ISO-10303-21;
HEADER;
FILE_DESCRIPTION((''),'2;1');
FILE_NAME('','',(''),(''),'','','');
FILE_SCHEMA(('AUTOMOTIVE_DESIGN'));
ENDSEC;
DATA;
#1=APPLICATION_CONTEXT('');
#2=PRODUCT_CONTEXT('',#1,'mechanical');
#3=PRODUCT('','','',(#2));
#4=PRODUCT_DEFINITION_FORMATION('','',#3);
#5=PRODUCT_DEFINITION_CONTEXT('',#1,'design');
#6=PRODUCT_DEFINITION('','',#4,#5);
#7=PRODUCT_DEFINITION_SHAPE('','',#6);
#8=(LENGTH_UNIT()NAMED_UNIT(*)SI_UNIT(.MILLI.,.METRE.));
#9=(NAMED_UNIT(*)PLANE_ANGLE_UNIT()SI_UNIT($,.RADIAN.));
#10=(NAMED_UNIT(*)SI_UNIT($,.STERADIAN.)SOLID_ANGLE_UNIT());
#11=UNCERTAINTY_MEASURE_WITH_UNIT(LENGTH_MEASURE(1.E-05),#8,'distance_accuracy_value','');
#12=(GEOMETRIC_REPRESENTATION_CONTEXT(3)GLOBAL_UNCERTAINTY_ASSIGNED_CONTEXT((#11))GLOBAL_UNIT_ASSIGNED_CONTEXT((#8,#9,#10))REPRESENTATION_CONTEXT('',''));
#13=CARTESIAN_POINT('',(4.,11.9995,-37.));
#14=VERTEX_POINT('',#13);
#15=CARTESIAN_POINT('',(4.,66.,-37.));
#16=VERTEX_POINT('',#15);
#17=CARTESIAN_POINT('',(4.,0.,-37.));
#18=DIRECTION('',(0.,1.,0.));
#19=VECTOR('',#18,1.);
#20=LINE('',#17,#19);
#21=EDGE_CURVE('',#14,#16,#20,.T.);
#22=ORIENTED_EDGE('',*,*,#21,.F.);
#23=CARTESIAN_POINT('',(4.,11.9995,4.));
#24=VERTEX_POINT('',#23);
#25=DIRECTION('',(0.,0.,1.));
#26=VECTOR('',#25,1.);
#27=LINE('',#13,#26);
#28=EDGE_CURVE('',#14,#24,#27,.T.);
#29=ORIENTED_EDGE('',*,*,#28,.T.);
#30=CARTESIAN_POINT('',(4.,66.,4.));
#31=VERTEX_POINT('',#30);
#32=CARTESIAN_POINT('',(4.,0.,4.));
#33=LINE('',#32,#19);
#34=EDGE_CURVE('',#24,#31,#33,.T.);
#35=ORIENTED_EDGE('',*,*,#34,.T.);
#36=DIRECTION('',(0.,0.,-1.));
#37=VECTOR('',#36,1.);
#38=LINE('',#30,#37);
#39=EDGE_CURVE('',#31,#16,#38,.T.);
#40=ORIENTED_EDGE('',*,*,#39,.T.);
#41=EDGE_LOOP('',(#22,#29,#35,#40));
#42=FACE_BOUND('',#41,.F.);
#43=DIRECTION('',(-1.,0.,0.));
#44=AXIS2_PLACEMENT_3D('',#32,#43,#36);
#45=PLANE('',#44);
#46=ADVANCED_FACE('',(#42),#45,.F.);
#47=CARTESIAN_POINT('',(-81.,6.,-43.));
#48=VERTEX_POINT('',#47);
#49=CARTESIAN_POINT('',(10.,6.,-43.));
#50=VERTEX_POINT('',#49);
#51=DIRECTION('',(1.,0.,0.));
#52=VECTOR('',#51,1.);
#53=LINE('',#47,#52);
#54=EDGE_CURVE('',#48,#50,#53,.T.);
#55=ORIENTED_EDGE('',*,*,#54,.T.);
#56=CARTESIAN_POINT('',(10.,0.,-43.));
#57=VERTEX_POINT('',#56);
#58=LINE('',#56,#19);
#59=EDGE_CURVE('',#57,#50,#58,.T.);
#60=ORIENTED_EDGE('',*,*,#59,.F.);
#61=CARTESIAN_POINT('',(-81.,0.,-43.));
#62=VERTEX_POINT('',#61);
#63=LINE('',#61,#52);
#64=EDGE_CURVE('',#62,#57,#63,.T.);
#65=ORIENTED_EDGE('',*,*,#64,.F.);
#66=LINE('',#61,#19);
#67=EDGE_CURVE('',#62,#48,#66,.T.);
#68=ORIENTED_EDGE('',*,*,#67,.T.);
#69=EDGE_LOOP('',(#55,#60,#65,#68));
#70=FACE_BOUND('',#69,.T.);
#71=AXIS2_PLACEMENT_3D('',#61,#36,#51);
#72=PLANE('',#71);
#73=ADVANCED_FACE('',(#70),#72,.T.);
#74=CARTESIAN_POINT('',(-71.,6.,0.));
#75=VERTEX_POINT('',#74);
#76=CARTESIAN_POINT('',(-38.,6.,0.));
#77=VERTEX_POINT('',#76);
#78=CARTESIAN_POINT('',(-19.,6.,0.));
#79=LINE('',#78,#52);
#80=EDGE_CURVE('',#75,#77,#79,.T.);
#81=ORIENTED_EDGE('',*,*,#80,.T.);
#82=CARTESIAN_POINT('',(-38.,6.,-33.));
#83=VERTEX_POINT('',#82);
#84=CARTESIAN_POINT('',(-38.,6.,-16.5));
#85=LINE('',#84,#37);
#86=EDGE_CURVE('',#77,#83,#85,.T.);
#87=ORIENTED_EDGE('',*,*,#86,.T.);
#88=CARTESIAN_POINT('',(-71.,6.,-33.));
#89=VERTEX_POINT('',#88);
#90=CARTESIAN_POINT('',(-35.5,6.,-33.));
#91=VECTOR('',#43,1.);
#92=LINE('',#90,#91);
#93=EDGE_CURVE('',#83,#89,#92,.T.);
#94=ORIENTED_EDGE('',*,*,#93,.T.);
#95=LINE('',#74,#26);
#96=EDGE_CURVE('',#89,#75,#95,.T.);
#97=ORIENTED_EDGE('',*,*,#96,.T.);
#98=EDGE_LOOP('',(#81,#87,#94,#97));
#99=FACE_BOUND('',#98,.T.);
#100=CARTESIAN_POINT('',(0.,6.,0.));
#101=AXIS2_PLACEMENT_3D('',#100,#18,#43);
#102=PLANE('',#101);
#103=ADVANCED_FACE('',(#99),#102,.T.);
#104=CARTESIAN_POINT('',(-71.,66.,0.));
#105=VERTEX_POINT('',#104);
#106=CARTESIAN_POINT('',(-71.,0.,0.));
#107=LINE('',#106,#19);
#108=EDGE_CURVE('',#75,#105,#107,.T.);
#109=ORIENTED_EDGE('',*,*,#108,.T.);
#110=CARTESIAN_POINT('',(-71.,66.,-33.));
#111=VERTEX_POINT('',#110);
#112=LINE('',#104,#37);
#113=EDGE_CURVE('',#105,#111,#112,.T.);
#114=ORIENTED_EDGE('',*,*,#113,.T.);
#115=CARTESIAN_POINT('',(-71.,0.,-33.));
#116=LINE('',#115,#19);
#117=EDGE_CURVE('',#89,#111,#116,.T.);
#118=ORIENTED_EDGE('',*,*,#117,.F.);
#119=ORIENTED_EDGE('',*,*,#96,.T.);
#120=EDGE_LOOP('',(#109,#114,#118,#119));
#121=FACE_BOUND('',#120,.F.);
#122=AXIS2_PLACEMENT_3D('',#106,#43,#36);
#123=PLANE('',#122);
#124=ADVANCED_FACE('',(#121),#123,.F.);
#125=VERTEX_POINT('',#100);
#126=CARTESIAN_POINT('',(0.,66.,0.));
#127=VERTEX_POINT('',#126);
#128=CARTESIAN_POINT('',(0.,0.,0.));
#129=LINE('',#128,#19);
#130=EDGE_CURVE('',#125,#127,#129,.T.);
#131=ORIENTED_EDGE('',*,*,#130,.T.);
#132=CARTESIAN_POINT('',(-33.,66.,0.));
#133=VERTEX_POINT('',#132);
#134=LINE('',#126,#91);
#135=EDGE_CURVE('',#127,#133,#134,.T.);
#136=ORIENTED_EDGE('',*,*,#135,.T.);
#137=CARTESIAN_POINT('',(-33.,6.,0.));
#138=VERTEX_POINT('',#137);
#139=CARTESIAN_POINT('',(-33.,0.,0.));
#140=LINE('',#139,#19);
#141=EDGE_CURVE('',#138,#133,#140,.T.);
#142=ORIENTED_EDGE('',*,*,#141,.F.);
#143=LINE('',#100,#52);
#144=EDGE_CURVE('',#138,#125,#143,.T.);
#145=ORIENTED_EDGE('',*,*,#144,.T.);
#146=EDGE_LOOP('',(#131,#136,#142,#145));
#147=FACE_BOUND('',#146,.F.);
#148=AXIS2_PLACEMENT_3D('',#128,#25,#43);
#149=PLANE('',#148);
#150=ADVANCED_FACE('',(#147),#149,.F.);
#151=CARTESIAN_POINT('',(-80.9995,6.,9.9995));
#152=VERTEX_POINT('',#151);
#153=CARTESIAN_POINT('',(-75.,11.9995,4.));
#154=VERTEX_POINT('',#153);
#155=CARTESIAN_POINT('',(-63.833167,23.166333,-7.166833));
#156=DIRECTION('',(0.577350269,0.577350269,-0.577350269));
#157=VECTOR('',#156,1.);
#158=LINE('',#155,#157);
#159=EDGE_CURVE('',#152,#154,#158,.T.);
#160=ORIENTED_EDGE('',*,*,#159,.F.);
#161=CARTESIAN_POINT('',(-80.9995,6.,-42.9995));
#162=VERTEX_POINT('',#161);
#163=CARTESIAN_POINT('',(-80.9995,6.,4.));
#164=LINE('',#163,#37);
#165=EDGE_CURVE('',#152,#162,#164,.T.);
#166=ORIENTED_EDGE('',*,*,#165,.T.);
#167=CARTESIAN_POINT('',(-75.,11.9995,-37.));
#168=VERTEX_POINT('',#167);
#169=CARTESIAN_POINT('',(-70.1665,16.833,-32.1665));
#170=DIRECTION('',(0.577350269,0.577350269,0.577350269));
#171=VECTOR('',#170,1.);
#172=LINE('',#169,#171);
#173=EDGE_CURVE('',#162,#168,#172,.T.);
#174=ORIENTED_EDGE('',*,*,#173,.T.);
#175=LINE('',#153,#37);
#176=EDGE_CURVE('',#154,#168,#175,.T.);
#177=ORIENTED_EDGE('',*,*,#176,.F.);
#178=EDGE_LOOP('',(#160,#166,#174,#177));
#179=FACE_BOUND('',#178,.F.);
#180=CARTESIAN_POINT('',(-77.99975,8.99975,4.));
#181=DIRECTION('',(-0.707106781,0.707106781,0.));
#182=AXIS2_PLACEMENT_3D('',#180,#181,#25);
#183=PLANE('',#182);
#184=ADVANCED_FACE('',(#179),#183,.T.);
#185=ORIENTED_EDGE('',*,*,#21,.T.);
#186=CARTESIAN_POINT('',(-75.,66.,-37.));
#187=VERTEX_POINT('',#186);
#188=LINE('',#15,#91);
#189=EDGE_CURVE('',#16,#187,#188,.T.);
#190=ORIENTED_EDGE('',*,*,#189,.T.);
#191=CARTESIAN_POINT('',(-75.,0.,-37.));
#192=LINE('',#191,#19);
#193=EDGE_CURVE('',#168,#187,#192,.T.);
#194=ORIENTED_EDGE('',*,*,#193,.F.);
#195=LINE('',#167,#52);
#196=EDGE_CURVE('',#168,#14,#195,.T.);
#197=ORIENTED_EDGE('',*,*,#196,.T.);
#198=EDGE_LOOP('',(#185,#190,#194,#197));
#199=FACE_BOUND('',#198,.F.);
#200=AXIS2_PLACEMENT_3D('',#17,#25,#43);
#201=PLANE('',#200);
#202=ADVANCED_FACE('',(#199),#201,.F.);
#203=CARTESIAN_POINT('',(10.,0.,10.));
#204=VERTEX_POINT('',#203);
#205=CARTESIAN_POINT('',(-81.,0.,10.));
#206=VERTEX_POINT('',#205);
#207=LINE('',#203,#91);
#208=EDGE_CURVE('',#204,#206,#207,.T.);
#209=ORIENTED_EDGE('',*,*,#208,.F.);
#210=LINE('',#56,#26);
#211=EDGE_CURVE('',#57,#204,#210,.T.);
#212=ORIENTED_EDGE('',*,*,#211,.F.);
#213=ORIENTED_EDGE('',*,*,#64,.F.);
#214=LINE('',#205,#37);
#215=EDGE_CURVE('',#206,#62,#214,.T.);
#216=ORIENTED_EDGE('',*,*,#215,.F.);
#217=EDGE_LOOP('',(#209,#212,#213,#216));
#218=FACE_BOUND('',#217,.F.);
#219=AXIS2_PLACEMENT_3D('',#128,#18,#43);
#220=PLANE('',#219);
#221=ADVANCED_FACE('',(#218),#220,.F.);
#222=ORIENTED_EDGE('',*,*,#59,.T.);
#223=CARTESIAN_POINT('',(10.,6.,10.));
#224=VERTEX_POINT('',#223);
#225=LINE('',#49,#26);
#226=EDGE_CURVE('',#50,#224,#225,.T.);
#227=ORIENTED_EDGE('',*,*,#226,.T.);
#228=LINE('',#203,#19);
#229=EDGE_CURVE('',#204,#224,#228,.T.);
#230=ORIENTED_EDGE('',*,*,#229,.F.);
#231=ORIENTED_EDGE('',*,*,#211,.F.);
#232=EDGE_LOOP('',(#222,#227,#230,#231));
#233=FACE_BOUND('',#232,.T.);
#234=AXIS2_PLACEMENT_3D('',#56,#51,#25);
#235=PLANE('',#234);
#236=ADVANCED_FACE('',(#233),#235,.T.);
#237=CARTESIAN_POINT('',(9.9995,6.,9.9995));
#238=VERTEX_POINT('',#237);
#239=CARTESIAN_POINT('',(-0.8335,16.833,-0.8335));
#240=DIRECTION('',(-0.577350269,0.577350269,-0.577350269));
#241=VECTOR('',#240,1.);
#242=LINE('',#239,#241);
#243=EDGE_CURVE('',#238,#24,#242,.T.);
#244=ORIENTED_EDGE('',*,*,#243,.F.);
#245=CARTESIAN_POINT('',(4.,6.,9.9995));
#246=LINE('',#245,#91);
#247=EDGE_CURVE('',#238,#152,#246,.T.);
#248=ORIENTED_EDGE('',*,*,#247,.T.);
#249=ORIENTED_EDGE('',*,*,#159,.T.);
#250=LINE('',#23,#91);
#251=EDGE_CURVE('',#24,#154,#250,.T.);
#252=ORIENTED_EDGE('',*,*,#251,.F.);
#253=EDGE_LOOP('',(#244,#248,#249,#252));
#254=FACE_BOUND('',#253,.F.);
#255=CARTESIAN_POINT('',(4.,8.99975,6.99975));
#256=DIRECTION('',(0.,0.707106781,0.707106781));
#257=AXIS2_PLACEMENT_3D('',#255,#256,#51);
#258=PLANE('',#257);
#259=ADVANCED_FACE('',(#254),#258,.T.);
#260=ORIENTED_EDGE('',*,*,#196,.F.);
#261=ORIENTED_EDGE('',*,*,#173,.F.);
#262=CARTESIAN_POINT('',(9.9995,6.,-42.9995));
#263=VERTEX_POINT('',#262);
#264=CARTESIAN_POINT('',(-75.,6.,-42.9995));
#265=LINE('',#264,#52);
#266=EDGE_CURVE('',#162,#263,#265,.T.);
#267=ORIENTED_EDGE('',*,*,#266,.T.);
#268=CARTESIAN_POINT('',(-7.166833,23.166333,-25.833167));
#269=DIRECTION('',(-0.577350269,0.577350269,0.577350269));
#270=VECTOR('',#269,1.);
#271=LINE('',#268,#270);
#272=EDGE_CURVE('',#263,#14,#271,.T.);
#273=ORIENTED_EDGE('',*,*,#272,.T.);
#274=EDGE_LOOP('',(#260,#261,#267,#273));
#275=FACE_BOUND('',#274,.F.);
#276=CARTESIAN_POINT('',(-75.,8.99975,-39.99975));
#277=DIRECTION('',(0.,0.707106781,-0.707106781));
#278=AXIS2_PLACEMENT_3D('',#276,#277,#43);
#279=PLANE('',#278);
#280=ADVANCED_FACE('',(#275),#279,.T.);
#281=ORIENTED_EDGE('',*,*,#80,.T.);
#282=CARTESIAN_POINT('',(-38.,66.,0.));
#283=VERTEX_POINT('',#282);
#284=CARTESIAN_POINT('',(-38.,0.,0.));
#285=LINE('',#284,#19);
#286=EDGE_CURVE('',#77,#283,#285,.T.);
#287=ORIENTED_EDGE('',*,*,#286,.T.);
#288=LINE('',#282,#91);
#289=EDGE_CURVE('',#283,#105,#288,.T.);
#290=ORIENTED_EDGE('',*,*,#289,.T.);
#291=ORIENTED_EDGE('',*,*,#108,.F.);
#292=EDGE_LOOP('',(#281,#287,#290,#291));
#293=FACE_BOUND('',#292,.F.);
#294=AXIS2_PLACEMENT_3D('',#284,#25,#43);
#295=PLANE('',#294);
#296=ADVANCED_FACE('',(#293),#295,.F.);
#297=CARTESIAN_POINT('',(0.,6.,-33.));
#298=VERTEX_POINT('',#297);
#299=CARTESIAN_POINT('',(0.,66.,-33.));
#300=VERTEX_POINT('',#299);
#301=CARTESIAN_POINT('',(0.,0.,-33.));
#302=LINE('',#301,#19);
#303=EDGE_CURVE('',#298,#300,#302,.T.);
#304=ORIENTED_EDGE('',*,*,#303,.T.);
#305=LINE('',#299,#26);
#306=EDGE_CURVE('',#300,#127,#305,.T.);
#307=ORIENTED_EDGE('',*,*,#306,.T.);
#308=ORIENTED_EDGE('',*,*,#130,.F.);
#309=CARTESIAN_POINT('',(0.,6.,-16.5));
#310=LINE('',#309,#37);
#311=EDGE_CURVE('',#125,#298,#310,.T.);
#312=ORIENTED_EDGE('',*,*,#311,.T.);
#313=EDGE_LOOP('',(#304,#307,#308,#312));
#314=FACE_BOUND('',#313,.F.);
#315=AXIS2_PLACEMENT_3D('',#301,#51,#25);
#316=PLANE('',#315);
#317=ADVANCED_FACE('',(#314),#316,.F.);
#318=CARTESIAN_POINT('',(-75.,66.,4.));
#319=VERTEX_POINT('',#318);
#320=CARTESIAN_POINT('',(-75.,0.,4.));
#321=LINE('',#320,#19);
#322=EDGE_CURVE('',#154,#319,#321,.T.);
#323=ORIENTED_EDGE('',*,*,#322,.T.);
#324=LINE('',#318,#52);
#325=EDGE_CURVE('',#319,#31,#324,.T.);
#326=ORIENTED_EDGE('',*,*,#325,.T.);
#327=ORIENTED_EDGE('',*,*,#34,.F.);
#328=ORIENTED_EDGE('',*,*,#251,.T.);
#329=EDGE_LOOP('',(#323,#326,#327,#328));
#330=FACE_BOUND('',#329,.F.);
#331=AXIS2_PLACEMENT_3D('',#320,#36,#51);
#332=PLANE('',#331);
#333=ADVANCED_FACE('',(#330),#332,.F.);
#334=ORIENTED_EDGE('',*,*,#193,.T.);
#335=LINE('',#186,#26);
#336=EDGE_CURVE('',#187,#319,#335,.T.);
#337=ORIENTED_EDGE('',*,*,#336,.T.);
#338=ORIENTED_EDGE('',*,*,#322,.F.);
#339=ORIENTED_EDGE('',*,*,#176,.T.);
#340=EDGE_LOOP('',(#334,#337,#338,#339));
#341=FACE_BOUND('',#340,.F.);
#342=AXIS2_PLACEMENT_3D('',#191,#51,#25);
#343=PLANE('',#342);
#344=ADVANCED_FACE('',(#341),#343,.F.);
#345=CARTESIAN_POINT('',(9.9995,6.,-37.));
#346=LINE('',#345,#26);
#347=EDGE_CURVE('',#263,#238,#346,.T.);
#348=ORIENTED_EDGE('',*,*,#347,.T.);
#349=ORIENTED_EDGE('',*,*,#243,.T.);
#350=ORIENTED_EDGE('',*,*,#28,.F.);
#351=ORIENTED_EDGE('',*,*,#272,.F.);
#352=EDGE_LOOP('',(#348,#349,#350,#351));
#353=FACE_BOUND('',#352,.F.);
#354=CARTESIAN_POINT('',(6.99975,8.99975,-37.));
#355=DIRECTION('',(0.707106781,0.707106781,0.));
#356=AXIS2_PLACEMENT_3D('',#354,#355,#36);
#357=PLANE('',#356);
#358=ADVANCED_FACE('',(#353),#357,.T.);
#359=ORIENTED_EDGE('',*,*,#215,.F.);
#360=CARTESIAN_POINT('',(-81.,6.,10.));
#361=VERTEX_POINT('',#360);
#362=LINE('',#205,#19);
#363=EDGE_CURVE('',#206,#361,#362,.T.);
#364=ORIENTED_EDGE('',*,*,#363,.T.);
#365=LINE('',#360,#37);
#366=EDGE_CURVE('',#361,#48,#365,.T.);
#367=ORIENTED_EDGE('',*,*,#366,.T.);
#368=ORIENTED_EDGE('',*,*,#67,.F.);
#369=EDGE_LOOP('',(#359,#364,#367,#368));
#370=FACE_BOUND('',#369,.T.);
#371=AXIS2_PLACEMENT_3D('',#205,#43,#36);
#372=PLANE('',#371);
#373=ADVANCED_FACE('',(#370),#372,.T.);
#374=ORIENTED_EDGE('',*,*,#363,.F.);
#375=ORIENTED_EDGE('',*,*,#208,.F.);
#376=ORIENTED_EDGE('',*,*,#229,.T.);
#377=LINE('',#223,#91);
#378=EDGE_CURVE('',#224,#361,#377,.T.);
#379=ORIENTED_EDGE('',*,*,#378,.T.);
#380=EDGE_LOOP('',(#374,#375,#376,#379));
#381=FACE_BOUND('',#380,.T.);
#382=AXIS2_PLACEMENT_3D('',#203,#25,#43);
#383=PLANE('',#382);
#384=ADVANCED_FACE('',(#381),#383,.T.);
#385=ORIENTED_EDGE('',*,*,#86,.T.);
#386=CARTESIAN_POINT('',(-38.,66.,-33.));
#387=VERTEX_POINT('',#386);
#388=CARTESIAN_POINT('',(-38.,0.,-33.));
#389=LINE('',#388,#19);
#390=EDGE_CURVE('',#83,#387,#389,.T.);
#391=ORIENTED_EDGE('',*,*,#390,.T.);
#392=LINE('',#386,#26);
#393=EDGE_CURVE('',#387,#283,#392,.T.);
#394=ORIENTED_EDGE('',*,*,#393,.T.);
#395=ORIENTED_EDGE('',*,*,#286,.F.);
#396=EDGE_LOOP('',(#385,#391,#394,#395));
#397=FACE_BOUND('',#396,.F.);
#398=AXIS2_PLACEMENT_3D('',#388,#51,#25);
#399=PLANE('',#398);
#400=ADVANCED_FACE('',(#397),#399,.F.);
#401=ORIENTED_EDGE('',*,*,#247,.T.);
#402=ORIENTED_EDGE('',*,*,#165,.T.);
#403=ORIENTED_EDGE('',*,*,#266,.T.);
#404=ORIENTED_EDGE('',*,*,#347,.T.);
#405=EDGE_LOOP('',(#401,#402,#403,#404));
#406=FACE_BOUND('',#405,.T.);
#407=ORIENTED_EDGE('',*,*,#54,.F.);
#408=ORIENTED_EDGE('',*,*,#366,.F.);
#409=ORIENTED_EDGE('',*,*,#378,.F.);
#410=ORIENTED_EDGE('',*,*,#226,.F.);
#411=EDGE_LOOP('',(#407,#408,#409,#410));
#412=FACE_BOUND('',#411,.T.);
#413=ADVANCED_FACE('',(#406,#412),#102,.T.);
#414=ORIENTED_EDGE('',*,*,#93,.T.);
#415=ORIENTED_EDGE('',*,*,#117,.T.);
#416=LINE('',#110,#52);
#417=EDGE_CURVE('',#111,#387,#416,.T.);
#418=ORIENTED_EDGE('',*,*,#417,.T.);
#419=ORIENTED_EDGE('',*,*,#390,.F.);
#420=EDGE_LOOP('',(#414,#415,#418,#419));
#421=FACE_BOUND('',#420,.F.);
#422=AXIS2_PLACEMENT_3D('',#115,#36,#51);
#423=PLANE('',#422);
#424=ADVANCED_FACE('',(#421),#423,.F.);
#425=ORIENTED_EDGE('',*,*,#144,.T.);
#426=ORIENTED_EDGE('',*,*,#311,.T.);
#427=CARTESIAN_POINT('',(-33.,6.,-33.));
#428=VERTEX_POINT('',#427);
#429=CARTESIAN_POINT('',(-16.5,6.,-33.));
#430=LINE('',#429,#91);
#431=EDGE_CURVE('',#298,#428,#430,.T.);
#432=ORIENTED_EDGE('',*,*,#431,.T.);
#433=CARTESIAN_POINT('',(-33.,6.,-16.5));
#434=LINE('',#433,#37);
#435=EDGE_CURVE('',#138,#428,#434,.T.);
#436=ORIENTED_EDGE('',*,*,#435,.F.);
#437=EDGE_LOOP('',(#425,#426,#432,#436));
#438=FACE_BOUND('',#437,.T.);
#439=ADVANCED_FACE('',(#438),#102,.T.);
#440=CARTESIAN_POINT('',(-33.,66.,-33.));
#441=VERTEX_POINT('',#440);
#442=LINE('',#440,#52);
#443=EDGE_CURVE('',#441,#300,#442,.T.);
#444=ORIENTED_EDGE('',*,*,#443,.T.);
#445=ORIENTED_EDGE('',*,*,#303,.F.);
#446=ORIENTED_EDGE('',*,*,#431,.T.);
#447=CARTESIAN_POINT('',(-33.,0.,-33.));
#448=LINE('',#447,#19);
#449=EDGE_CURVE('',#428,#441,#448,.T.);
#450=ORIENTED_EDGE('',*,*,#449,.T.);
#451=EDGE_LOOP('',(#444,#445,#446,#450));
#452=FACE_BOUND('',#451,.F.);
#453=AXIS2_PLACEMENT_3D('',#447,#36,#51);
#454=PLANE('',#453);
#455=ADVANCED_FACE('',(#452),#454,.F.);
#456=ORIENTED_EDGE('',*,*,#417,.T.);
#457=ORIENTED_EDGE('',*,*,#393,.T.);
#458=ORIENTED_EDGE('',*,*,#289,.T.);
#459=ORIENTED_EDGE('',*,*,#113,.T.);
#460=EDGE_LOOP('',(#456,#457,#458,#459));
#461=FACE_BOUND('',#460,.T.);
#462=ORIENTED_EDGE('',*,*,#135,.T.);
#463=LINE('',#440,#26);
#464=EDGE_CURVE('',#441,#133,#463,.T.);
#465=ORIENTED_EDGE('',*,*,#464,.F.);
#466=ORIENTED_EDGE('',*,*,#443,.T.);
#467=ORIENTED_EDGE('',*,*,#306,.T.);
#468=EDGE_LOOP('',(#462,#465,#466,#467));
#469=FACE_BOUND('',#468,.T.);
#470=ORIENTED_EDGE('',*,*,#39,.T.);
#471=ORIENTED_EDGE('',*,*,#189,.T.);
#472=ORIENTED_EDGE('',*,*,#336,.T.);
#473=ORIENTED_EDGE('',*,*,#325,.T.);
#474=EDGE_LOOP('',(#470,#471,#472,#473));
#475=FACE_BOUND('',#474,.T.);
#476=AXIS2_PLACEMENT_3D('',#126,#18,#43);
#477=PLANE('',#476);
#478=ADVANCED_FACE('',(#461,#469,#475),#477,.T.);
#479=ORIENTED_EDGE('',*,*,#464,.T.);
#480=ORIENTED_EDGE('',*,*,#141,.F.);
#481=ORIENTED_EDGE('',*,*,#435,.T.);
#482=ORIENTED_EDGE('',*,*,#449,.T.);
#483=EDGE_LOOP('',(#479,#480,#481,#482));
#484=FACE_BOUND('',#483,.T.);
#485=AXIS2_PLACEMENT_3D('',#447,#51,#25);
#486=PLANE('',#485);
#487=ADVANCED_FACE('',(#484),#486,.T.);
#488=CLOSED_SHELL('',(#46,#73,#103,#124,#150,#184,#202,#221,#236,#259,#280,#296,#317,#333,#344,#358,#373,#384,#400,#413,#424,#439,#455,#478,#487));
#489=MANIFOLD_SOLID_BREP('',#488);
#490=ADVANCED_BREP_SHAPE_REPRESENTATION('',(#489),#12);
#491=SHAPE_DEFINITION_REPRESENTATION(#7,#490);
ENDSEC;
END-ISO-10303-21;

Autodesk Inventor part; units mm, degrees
ref_plane "YZ Plane" through (0, 0, 0) normal (1, 0, 0) x (0, 1, 0)
ref_plane "XZ Plane" through (0, 0, 0) normal (0, 1, 0) x (-1, 0, 0)
ref_plane "XY Plane" through (0, 0, 0) normal (0, 0, 1) x (1, 0, 0)
sketch "Sketch1" plane through (0, 0, 0) normal (0, 1, 0) x (-1, 0, 0)
  line L0 (0, 0) -> (33, 0)
  line L1 (71, 0) -> (71, -33)
  line L2 (71, -33) -> (38, -33)
  line L3 (0, -33) -> (0, 0)
  line L4 (0, -33) -> (0, 0)
  line L5 (75, -37) -> (75, 4)
  line L6 (75, 4) -> (-4, 4)
  line L7 (-4, 4) -> (-4, -37)
  line L8 (-4, -37) -> (75, -37)
  line L9 (-10, 10) -> (81, 10)
  line L10 (81, 10) -> (81, -43)
  line L11 (81, -43) -> (-10, -43)
  line L12 (-10, -43) -> (-10, 10)
  line L13 (38, -33) -> (38, 0)
  line L14 (33, -33) -> (33, 0)
  line L15 (38, -33) -> (33, -33)
  line L16 (33, -33) -> (0, -33)
  line L17 (38, 0) -> (71, 0)
  line L18 (33, 0) -> (38, 0)
  point P0 (0, -33)
  point P1 (0, -37)
  point P2 (0, 4)
  dimension "d0" = 33
  dimension "d1" = 71
  dimension "d5" = 4
  dimension "d10" = 6
  dimension "d19" = 33
  dimension "d20" = 33
extrude "Extrusion1" add sketch "Sketch1" along normal blind 6 contours L0 L14 L16 L3 | L18 L13 L15 L14 | L17 L1 L2 L13 | L8 L7 L6 L5 | L9 L10 L11 L12
extrude "Extrusion4" add sketch "Sketch1" along normal blind 66 contours L18 L13 L15 L14 | L8 L7 L6 L5
chamfer "Chamfer3" distance 6 angle 45 4 edges at (-75, 6, -16.5) (-35.5, 6, 4) (4, 6, -16.5) (-35.5, 6, -37)
equation "\"d19\" = d0"
equation "\"d20\" = d19"
properties part number "double"
